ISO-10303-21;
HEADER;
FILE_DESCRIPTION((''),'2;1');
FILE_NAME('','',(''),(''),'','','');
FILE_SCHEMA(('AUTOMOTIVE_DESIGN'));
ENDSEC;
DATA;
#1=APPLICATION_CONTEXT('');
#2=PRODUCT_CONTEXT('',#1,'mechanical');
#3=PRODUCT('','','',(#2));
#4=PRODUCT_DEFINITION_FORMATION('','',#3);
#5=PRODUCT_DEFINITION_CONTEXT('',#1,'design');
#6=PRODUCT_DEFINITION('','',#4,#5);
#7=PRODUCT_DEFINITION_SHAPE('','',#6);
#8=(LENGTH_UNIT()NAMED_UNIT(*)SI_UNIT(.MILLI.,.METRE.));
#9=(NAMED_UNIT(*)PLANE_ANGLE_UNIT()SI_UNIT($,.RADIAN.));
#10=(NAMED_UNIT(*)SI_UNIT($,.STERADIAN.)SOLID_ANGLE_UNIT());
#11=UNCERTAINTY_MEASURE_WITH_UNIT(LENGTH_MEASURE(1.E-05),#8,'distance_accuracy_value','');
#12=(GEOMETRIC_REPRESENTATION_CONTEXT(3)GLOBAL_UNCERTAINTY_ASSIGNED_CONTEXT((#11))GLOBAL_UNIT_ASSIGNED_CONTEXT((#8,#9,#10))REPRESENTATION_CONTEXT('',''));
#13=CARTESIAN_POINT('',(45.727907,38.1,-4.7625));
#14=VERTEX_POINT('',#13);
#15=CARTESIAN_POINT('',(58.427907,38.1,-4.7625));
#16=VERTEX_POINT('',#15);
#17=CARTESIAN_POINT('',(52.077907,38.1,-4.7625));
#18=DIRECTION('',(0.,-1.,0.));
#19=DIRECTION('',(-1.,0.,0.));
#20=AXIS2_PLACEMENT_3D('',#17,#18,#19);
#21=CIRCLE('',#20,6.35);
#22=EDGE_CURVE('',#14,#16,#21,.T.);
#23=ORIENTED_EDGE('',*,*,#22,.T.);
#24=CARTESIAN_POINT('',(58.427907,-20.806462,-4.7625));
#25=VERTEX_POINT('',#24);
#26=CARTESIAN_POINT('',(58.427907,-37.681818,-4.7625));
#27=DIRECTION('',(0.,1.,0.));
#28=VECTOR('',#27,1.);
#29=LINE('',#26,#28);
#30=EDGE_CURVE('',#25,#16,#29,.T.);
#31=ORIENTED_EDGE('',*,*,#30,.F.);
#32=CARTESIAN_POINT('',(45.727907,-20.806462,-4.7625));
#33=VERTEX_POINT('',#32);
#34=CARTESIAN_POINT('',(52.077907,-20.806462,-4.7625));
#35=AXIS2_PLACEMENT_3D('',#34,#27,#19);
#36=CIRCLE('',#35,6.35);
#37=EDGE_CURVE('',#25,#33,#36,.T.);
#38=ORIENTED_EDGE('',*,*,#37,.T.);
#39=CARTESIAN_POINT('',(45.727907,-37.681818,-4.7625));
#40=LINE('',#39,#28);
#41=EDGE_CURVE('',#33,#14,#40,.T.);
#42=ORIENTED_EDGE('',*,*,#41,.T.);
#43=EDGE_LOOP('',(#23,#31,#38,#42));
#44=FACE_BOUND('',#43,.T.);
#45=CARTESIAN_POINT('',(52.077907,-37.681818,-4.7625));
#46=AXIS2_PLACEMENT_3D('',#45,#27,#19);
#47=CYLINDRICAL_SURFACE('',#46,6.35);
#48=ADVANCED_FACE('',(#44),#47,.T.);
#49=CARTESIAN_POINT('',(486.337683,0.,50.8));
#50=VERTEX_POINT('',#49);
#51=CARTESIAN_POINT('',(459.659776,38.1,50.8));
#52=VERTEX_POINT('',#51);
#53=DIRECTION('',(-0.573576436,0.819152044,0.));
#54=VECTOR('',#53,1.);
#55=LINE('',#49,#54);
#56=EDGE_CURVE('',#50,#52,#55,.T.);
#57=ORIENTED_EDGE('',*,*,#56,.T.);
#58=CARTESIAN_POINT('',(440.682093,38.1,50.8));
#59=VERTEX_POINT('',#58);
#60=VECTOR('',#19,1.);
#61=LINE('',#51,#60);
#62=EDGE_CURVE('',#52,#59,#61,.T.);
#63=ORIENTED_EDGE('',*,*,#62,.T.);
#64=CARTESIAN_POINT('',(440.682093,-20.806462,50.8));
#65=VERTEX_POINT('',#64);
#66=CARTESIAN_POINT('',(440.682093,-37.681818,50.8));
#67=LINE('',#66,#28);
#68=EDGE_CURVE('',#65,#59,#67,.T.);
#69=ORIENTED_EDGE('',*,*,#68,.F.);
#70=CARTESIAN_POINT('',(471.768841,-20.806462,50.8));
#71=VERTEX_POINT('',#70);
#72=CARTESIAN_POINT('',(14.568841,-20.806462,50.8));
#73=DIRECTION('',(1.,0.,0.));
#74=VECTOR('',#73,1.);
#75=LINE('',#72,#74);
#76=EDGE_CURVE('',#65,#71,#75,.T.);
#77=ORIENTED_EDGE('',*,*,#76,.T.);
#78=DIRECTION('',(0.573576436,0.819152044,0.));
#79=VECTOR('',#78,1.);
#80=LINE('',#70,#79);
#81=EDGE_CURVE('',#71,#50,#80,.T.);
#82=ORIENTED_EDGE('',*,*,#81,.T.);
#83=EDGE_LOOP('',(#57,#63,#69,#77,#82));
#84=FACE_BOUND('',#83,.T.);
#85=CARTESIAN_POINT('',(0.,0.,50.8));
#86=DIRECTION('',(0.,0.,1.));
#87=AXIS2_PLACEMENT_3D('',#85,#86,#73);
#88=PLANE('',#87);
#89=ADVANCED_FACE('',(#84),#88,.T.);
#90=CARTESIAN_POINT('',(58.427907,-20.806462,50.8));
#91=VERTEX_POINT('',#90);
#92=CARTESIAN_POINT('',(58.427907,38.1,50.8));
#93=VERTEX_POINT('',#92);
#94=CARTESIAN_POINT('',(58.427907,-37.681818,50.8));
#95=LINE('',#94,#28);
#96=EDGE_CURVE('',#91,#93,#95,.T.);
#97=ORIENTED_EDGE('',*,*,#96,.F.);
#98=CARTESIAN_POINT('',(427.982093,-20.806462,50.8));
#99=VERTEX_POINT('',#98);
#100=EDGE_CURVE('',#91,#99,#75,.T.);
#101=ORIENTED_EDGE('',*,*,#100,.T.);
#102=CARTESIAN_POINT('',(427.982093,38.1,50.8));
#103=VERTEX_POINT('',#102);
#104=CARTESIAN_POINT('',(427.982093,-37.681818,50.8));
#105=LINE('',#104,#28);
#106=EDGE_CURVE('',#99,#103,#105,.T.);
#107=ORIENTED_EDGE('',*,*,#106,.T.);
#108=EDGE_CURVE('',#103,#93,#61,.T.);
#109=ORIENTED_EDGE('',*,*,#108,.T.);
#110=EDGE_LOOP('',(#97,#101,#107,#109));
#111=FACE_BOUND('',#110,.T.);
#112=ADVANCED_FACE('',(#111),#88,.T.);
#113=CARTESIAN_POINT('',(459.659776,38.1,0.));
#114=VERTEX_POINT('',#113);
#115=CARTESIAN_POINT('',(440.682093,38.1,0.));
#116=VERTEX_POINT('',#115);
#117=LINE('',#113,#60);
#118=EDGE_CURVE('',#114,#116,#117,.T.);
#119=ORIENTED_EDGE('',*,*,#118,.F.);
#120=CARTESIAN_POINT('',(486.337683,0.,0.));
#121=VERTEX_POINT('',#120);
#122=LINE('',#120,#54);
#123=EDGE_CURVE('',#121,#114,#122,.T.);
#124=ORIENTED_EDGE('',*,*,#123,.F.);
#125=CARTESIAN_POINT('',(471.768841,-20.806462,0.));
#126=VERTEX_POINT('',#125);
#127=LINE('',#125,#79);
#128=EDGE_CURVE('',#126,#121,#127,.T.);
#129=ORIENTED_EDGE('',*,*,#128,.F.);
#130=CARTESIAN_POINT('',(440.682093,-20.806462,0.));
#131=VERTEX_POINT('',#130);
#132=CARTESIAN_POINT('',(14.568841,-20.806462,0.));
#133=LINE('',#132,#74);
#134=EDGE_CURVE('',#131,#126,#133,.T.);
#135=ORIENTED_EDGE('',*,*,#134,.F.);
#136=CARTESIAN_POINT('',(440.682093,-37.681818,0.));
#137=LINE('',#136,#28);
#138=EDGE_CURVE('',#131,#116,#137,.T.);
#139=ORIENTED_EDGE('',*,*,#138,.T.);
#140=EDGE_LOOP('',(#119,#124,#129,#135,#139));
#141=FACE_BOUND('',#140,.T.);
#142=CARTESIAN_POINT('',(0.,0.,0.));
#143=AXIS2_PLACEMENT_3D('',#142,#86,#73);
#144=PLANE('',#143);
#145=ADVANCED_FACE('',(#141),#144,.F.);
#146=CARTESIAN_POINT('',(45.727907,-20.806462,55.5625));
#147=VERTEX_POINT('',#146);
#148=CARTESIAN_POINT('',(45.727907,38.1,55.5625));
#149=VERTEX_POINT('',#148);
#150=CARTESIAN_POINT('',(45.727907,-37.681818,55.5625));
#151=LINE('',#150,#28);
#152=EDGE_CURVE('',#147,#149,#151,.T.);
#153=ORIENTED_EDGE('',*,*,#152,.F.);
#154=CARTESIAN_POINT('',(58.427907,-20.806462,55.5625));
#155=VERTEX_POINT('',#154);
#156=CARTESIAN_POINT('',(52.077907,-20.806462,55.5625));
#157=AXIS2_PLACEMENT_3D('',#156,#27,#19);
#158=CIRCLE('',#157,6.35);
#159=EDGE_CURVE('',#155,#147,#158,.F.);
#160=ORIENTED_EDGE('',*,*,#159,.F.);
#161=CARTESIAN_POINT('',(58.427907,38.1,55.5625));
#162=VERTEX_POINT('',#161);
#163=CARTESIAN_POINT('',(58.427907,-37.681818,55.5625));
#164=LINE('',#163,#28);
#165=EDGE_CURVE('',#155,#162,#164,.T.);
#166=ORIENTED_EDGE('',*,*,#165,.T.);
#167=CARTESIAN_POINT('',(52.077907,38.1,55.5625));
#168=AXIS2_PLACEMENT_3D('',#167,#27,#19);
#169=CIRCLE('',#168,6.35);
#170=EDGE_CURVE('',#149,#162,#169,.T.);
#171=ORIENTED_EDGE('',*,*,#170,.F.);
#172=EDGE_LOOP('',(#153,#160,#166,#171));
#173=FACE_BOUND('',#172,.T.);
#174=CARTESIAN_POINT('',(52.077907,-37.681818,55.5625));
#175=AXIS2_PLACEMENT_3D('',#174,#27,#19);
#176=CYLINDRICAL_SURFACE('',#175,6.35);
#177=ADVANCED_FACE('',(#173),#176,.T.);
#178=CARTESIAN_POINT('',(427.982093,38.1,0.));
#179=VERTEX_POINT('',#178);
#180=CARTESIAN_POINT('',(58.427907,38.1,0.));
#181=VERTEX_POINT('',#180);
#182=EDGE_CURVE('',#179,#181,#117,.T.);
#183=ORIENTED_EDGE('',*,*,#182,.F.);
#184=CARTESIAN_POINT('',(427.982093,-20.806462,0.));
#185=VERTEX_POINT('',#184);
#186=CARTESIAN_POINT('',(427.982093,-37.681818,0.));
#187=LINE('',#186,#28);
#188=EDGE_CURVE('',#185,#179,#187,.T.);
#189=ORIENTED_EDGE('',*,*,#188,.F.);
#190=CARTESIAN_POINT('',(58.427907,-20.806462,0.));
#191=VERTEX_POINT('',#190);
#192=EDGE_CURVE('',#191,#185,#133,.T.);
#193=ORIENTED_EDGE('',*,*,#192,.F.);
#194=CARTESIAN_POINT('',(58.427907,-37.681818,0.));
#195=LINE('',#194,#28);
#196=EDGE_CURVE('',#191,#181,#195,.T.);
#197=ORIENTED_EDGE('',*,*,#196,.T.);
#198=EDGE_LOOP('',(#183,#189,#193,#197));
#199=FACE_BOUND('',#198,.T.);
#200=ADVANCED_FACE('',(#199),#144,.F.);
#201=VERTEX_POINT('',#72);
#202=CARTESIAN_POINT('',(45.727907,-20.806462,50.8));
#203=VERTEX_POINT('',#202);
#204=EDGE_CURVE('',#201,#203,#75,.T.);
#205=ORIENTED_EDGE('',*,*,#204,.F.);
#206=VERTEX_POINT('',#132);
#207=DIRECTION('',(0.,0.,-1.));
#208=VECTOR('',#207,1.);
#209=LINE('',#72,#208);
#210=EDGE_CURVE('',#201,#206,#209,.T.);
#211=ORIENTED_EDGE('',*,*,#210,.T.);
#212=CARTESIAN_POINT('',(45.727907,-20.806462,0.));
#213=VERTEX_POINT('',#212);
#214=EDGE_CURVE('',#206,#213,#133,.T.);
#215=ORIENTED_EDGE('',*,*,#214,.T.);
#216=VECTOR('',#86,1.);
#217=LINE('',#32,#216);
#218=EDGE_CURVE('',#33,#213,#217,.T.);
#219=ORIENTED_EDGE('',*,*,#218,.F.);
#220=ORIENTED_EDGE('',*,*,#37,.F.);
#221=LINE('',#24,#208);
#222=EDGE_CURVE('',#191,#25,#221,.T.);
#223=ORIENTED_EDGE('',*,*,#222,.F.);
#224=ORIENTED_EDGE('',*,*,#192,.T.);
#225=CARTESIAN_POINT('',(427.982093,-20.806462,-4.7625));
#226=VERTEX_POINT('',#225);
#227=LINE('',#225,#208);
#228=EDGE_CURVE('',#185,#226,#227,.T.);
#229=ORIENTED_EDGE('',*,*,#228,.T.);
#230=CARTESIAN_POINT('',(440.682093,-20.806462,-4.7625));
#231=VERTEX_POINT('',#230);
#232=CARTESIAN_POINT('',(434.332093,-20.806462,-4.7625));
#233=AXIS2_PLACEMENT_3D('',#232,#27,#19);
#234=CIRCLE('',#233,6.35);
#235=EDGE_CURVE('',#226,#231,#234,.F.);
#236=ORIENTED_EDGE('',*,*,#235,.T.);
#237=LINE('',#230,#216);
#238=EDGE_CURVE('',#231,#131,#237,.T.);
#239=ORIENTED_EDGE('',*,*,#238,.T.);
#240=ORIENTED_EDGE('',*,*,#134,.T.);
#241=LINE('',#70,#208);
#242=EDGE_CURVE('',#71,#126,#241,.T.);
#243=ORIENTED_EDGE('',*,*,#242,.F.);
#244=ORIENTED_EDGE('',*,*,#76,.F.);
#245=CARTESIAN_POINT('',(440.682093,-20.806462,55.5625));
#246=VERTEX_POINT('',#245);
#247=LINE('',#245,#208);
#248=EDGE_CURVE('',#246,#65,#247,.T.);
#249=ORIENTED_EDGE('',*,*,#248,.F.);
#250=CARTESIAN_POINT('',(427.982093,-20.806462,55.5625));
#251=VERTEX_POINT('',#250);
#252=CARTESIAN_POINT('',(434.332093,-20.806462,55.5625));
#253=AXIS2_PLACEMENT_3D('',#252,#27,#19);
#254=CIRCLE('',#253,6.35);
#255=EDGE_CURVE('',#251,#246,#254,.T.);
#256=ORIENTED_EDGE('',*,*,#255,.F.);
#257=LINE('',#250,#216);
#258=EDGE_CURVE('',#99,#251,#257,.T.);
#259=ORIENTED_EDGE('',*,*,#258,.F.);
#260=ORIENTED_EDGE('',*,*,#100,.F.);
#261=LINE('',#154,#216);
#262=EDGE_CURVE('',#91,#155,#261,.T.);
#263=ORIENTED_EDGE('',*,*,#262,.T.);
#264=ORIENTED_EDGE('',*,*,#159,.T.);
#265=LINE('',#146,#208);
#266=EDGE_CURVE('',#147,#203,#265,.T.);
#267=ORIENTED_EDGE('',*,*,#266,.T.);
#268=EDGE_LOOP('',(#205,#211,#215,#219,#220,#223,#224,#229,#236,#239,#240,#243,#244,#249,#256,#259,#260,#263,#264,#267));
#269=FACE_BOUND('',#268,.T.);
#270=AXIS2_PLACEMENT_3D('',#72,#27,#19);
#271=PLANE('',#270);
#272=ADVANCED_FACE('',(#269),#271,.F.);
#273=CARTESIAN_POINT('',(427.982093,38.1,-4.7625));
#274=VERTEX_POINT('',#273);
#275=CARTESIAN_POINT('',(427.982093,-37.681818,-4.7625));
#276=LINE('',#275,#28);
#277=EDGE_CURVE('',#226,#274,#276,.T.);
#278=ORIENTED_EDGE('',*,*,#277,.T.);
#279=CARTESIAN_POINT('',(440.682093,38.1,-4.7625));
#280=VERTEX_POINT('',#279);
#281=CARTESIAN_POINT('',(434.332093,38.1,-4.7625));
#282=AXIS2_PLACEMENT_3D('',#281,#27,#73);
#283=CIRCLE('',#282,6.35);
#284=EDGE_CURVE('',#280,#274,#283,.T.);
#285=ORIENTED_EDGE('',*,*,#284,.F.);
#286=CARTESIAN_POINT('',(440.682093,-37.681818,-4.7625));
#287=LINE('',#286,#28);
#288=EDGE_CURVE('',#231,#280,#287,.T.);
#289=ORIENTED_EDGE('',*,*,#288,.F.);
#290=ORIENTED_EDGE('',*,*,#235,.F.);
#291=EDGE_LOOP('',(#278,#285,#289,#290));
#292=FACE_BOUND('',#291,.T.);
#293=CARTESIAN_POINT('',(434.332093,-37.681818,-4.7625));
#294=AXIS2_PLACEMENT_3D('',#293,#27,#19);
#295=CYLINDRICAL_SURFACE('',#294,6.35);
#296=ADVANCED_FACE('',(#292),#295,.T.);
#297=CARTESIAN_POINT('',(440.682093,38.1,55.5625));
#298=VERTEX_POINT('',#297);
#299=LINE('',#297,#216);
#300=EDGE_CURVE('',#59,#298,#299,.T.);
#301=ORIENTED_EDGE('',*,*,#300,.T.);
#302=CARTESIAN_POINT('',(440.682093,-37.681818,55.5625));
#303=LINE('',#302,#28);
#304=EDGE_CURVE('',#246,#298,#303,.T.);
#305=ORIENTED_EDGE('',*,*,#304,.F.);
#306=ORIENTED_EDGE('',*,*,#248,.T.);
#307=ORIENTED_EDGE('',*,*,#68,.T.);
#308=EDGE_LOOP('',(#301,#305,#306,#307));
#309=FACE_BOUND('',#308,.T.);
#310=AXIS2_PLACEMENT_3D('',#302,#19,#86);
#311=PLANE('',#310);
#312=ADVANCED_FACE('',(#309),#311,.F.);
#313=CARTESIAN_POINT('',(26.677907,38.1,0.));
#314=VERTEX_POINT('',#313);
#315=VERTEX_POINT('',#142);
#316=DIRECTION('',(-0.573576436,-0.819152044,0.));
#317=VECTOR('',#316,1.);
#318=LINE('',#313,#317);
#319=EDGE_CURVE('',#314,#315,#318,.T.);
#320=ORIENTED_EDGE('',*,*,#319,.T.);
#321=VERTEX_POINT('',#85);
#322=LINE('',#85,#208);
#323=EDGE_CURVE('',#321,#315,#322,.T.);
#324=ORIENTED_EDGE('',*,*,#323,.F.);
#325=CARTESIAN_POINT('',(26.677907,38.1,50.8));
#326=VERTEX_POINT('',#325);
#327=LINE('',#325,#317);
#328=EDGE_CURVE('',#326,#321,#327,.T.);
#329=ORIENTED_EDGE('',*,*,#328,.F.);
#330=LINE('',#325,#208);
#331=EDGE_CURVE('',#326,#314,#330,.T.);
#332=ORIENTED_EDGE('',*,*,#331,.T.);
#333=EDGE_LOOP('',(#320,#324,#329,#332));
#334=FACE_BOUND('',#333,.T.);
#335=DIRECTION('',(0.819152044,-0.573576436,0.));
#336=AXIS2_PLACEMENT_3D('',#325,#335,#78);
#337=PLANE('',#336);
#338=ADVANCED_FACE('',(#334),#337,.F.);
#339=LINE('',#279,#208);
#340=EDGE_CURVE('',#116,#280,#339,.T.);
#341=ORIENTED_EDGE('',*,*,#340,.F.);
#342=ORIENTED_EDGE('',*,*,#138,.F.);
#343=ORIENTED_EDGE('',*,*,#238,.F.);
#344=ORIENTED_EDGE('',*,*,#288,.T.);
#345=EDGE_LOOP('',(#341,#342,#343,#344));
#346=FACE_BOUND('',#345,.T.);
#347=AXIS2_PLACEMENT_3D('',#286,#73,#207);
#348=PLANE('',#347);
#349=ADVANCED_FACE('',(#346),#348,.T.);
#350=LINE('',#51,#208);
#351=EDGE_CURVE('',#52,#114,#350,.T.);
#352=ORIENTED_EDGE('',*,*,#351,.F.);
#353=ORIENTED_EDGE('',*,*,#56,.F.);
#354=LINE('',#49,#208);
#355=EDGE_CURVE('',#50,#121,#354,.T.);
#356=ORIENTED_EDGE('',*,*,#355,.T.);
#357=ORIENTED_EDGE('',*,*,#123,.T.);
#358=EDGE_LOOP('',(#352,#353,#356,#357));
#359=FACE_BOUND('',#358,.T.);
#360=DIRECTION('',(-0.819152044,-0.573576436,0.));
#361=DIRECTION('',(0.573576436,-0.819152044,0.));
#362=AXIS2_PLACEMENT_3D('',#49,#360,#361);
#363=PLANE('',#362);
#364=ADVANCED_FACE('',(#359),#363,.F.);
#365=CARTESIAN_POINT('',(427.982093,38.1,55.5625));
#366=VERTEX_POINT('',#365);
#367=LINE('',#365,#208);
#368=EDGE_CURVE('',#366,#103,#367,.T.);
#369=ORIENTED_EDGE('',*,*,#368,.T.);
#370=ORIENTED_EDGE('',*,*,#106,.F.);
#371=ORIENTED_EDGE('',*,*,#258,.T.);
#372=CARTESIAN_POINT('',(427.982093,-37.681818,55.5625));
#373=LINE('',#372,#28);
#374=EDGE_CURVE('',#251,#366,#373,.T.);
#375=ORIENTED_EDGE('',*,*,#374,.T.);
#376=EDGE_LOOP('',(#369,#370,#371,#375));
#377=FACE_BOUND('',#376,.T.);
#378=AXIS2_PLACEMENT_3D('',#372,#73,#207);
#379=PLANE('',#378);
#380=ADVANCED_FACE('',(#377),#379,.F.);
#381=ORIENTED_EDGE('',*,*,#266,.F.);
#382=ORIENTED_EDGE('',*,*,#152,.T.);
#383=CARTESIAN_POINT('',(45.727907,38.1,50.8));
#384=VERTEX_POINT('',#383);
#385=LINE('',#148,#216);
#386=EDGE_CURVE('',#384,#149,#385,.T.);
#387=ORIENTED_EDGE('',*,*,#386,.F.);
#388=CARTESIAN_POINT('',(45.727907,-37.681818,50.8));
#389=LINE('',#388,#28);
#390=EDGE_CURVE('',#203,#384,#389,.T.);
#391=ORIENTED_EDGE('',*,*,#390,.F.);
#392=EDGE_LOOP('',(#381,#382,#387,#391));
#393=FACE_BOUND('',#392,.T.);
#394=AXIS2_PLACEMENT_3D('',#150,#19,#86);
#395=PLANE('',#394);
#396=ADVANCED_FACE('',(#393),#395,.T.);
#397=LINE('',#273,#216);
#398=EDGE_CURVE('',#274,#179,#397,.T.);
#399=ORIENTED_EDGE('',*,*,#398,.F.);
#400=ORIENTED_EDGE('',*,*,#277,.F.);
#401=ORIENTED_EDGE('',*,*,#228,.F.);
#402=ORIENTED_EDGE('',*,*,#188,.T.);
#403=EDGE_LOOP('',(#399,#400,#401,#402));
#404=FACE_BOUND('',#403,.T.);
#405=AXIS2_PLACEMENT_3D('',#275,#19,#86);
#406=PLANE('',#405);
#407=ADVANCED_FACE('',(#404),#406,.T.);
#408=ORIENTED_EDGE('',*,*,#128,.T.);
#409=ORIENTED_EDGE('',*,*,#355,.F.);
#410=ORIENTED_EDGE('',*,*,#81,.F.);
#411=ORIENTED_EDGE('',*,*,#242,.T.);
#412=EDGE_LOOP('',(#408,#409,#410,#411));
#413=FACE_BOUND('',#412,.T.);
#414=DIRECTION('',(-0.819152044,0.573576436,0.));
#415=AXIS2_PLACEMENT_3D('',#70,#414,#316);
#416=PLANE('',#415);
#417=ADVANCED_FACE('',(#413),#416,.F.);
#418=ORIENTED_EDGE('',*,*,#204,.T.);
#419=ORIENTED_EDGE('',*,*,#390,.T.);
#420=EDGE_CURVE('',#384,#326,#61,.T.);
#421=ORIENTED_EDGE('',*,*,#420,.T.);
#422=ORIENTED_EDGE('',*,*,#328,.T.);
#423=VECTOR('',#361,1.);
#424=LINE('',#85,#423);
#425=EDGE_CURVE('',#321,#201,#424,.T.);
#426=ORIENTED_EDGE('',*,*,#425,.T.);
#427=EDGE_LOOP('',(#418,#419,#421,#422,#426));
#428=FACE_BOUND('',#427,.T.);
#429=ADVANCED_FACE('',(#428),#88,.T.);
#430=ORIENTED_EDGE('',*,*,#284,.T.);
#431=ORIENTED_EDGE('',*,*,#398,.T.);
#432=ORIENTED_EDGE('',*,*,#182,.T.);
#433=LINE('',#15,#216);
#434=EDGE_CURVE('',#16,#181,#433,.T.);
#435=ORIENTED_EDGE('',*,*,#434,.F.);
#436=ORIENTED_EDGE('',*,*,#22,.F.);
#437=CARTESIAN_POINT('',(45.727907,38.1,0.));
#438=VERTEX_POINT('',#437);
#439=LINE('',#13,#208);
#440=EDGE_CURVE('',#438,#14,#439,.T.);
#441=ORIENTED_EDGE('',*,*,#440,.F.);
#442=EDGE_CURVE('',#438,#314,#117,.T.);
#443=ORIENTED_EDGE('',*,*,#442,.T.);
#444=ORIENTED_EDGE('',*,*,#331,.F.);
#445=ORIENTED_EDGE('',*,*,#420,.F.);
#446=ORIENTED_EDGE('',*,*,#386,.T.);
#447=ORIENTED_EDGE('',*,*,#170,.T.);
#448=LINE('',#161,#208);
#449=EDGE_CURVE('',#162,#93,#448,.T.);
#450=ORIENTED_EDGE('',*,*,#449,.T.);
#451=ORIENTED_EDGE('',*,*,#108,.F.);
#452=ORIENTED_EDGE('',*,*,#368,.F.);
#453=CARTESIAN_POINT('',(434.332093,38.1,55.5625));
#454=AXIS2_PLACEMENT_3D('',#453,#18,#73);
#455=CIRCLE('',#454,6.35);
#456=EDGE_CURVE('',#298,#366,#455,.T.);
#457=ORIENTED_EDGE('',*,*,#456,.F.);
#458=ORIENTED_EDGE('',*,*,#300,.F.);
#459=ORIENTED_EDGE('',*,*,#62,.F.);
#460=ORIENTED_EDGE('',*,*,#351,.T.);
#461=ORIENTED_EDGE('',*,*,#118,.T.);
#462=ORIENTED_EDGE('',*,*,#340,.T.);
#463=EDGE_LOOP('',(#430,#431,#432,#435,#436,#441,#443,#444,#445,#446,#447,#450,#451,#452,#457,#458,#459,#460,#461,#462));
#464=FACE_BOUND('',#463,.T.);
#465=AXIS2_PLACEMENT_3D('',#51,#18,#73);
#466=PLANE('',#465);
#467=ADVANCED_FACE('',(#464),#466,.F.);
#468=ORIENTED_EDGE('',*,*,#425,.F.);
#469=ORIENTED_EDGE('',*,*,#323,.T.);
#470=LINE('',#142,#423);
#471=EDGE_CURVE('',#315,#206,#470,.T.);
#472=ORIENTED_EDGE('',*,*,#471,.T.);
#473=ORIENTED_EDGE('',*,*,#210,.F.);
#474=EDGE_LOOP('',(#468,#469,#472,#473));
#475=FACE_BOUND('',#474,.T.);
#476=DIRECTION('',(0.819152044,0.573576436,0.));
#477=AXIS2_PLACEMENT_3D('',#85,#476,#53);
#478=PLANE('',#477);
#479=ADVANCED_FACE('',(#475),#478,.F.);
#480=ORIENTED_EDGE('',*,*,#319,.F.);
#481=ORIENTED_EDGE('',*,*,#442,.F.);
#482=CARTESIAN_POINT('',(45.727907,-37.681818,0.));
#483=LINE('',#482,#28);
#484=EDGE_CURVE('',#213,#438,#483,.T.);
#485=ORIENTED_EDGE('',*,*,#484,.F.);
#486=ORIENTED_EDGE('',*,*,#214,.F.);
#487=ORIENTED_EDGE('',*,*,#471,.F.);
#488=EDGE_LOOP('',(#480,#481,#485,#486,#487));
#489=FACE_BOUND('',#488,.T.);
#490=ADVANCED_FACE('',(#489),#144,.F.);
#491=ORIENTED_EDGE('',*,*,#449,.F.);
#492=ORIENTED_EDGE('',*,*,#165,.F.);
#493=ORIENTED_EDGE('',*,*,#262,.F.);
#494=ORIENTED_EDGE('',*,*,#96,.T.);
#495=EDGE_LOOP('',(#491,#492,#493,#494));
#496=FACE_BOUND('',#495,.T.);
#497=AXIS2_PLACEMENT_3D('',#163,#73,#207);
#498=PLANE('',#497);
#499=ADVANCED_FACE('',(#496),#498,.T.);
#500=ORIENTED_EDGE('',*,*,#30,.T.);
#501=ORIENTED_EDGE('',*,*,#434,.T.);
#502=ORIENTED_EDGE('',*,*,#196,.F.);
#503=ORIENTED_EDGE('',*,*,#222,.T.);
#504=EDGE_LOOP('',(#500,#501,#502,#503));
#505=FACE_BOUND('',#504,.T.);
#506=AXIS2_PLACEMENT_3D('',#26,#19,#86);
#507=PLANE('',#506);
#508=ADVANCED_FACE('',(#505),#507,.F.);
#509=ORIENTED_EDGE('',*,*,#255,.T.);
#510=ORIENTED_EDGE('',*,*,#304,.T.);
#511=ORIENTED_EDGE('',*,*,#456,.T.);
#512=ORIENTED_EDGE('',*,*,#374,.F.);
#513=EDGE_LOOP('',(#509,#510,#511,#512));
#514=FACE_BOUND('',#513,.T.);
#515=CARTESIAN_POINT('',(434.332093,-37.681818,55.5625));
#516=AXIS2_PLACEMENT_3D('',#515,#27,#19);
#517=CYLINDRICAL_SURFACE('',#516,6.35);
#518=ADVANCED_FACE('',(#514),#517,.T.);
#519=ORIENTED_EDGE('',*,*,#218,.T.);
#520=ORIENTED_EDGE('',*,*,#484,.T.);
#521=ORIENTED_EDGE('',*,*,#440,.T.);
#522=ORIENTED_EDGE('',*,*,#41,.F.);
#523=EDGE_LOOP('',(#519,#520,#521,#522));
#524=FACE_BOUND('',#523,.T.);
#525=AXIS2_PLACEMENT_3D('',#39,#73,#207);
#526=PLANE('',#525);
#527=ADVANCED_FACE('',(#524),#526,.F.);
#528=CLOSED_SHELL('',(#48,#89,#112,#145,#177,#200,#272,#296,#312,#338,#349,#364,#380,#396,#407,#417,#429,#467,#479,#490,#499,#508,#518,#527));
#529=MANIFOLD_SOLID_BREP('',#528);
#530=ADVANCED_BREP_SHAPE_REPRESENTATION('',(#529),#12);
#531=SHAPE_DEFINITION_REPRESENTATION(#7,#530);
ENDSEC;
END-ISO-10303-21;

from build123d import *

# Parameters (mm, degrees)
BOSS_EXTRUDE3_DEPTH                      = 50.8
BOSS_EXTRUDE4_DEPTH                      = 58.906461925
MIRROR1_AT_THE_SECOND_PLANE_COPY_1_DEPTH = 58.906461925


with BuildPart() as part:
    # Sketch3 → Boss-Extrude3 (new body)
    with BuildSketch(Plane.XY):
        Polygon((0, 0), (14.568841483, -20.806461925), (471.768841483, -20.806461925), (486.337682967, 0), (459.659775761, 38.1), (26.677907206, 38.1), align=None)
    extrude(amount=BOSS_EXTRUDE3_DEPTH)

    # Sketch4 → Boss-Extrude4 (add)
    with BuildSketch(Plane(origin=(0, 38.1, 0), x_dir=(1, 0, 0), z_dir=(0, 1, 0))):
        with BuildLine():
            Line((45.727907206, -55.5625), (45.727907206, -50.8))
            Line((45.727907206, -50.8), (58.427907206, -50.8))
            Line((58.427907206, -50.8), (58.427907206, -55.5625))
            ThreePointArc((58.427907206, -55.5625), (52.077907206, -61.9125), (45.727907206, -55.5625))
        make_face()
    boss_extrude4 = extrude(amount=-BOSS_EXTRUDE4_DEPTH)

    # Mirror1: Boss-Extrude4 across plane
    add(boss_extrude4.mirror(Plane(origin=(243.205, 0, 0), x_dir=(0, 0, 1), z_dir=(1, 0, 0))))

    # Mirror1 at the second plane: Boss-Extrude4 across plane
    add(boss_extrude4.mirror(Plane.XY.offset(25.4)))

    # Mirror1 at the second plane copy 1 sketc → Mirror1 at the second plane copy 1 (add)
    with BuildSketch(Plane(origin=(486.41, 38.1, 50.8), x_dir=(-1, 0, 0), z_dir=(0, 1, 0))):
        with BuildLine():
            Line((45.727907206, -55.5625), (45.727907206, -50.8))
            Line((45.727907206, -50.8), (58.427907206, -50.8))
            Line((58.427907206, -50.8), (58.427907206, -55.5625))
            ThreePointArc((58.427907206, -55.5625), (52.077907206, -61.9125), (45.727907206, -55.5625))
        make_face()
    extrude(amount=-MIRROR1_AT_THE_SECOND_PLANE_COPY_1_DEPTH)


solid = part.part
